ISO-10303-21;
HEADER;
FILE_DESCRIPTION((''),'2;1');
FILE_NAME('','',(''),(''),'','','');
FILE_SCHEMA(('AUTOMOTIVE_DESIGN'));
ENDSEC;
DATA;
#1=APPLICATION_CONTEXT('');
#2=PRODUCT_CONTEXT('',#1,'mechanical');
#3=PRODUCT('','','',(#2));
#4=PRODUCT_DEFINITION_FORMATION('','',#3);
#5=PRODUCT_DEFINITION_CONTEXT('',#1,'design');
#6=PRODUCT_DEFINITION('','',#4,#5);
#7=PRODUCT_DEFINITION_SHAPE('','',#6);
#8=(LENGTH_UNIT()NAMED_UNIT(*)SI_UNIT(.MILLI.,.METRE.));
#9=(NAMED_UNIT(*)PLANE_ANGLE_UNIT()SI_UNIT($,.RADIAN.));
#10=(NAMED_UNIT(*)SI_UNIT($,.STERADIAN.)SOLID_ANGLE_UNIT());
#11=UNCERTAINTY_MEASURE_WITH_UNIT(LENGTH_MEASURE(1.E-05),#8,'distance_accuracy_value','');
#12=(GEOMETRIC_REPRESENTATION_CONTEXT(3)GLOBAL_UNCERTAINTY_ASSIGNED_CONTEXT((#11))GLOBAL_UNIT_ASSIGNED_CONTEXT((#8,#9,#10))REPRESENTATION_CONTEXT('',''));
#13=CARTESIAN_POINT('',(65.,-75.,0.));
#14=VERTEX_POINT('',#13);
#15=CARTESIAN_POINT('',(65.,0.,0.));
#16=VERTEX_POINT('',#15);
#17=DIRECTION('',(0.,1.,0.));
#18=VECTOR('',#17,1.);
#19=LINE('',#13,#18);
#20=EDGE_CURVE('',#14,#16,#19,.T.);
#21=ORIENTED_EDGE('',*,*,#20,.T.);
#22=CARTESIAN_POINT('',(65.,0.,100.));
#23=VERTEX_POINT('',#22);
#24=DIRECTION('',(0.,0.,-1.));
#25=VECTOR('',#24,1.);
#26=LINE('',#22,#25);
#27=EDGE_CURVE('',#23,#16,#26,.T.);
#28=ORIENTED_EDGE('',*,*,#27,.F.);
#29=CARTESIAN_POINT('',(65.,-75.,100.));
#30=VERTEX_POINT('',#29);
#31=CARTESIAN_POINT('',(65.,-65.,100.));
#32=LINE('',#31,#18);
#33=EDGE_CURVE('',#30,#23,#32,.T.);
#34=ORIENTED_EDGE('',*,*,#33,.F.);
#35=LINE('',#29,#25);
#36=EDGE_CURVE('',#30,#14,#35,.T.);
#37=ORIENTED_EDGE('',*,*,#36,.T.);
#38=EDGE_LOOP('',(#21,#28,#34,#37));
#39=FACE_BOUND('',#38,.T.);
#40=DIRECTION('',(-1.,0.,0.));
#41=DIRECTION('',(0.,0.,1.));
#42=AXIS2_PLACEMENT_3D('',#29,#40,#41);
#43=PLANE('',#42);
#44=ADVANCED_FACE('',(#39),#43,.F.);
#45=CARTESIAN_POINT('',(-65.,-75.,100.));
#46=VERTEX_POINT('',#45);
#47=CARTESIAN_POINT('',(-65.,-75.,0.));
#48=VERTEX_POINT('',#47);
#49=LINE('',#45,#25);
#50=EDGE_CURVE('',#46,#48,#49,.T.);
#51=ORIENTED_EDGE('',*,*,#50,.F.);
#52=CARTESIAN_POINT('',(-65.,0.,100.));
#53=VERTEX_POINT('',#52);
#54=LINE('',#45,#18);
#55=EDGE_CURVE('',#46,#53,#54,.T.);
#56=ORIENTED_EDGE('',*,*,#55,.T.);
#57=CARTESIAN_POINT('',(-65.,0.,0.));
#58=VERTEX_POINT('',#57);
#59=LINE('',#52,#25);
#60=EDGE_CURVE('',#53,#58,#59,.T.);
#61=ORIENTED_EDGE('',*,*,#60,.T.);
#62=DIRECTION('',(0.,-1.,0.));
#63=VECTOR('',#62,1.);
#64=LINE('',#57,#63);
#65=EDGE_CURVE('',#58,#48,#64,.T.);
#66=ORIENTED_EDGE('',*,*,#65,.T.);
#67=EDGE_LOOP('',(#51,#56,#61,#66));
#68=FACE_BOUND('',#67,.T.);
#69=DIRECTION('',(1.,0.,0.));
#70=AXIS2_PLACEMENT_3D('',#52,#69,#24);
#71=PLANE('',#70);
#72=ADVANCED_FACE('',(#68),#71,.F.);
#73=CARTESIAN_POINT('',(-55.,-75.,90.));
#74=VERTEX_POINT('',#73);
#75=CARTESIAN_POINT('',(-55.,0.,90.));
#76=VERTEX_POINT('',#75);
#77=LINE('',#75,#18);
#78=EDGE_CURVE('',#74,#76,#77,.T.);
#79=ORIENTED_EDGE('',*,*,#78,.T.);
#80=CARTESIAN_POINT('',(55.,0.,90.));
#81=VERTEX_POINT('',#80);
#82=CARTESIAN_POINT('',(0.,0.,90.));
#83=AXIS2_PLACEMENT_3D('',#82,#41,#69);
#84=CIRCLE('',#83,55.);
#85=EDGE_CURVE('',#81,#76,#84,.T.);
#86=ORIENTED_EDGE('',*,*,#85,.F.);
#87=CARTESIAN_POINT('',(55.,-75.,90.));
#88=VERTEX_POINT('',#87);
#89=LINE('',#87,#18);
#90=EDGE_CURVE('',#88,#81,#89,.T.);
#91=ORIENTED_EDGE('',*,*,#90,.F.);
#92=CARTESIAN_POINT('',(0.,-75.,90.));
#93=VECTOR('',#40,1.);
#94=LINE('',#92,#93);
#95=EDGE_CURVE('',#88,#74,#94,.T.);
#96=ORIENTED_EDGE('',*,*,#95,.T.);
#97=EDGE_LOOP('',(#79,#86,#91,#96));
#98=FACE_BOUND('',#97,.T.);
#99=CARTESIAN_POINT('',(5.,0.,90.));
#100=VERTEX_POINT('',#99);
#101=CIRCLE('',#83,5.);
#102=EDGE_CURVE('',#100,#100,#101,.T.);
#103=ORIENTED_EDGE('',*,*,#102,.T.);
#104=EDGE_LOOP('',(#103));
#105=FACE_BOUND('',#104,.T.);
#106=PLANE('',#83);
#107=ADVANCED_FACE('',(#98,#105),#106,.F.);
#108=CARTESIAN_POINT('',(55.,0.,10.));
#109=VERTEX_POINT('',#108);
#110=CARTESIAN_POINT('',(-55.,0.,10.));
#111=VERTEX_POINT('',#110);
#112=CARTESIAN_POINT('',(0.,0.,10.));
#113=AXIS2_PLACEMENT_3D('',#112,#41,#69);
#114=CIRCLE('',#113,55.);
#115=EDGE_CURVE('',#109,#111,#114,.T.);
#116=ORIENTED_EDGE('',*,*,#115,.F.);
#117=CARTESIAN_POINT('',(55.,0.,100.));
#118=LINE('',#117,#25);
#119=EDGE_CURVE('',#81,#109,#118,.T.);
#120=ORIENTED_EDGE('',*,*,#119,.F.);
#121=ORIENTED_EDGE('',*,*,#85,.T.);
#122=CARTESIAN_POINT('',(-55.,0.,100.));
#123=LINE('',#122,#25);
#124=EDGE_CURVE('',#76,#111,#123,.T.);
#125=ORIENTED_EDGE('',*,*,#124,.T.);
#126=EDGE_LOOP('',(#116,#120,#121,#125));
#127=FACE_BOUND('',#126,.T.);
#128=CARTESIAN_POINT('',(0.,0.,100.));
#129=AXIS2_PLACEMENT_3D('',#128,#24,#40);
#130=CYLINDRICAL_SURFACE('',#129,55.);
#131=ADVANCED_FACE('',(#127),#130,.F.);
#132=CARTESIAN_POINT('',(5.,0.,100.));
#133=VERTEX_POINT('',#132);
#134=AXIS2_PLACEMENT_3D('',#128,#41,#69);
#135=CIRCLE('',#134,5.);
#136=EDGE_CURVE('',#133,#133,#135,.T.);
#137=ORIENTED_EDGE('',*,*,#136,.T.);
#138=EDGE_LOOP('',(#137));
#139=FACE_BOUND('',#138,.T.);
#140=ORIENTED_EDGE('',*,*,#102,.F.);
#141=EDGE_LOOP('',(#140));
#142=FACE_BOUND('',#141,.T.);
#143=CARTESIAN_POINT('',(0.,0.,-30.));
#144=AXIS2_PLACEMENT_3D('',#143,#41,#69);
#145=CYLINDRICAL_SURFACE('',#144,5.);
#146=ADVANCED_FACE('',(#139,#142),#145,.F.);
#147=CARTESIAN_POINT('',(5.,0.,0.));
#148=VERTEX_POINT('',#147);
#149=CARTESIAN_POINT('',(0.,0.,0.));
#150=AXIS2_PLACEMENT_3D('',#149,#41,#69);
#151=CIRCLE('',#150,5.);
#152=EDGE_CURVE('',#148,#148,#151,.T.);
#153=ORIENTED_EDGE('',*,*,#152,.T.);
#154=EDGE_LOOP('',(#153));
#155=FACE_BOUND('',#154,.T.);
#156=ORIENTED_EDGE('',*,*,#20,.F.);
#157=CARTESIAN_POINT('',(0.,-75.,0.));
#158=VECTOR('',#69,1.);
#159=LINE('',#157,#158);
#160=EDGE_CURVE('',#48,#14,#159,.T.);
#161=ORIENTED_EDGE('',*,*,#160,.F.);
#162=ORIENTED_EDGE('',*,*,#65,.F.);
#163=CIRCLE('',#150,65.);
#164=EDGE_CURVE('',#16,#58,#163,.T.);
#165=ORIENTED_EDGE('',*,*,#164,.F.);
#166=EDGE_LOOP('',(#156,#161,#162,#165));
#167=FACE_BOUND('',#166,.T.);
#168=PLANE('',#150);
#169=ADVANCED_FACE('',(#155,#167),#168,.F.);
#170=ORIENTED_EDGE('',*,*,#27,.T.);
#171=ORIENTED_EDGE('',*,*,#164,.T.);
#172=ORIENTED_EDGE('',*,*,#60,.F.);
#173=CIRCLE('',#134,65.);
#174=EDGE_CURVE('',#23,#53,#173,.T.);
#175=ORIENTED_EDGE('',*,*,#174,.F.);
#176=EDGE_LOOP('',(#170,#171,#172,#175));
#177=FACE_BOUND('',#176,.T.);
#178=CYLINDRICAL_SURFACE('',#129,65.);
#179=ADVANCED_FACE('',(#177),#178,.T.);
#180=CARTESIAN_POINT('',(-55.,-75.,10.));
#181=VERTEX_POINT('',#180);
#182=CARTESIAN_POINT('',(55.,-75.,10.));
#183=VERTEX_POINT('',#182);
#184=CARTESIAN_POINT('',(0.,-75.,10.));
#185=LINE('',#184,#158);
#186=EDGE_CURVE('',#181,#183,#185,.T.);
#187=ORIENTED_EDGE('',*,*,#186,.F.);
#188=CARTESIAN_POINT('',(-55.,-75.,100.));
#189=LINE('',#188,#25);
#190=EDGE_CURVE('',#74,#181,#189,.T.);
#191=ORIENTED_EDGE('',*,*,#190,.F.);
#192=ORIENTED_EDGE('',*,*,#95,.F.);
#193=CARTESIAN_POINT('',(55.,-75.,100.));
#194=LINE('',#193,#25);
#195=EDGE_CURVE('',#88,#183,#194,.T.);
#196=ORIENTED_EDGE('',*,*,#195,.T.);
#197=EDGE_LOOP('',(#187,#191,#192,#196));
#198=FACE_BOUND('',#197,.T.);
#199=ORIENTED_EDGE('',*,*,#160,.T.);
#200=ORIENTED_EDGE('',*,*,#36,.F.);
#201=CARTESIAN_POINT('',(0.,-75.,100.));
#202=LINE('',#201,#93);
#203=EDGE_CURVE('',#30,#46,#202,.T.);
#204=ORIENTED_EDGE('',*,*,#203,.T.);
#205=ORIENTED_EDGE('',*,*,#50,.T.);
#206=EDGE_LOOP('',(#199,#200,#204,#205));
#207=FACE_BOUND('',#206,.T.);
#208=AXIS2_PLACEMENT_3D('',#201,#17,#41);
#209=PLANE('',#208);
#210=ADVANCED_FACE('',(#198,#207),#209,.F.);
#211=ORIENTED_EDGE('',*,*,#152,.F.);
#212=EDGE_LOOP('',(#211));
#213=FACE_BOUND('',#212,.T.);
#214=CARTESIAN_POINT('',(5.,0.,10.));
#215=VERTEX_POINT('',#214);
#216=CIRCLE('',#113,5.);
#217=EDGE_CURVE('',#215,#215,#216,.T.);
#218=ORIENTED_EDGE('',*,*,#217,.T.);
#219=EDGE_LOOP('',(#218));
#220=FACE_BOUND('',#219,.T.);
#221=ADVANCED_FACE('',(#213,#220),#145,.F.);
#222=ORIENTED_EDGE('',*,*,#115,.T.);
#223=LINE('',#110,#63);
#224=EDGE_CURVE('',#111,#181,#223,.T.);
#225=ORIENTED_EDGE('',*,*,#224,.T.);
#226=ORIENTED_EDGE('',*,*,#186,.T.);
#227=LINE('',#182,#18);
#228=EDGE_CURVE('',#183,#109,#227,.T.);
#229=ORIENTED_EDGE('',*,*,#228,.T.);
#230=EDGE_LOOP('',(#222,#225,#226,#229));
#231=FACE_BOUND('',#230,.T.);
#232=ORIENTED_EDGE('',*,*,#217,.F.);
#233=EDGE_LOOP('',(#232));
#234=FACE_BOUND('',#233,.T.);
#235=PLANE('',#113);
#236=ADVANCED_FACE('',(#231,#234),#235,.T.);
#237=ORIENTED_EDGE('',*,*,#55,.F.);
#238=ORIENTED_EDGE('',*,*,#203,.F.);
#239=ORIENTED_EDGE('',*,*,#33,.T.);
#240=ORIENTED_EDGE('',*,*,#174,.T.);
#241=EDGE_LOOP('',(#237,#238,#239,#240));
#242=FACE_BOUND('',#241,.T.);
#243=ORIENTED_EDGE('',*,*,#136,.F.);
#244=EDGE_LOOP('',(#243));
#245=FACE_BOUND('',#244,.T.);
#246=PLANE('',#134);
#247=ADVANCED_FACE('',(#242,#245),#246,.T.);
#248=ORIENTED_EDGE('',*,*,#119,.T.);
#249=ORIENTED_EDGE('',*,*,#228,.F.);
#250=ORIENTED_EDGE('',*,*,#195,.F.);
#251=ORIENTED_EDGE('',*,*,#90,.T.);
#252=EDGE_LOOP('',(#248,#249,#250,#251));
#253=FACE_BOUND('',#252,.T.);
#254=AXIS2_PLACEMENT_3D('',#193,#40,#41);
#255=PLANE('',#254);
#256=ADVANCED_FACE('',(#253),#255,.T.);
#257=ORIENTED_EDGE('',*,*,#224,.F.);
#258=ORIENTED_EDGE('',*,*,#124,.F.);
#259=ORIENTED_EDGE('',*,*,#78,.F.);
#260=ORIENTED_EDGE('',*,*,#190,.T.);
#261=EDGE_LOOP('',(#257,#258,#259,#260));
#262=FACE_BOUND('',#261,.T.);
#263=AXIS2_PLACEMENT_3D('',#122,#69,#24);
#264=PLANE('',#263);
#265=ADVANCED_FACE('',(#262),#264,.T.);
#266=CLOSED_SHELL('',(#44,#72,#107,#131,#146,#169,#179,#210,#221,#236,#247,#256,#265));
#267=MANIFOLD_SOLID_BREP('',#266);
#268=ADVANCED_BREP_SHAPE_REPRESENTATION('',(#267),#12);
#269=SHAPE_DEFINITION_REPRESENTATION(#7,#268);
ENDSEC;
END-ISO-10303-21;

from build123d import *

# Parameters (mm, degrees)
SALIENTE_EXTRUIR1_DEPTH = 100
VACIADO1_T              = -10
CROQUIS4_R              = 5
CORTAR_EXTRUIR1_DEPTH   = 130


with BuildPart() as part:
    # Croquis1 → Saliente-Extruir1 (new body)
    with BuildSketch(Plane.XY):
        with BuildLine():
            Line((-65, 0), (-65, -65))
            Line((-65, -65), (-65, -75))
            Line((-65, -75), (0, -75))
            Line((0, -75), (65, -75))
            Line((65, -75), (65, -65))
            Line((65, -65), (65, 0))
            ThreePointArc((65, 0), (0, 65), (-65, 0))
        make_face()
    extrude(amount=SALIENTE_EXTRUIR1_DEPTH)

    # Vaciado1
    vaciado1_openings = [part.faces().sort_by_distance(p)[0] for p in [
        (0, -75, 50),
    ]]
    offset(amount=VACIADO1_T, openings=vaciado1_openings, kind=Kind.INTERSECTION)

    # Croquis4 → Cortar-Extruir1 (cut)
    with BuildSketch(Plane.XY.offset(100)):
        Circle(CROQUIS4_R)
    extrude(amount=-CORTAR_EXTRUIR1_DEPTH, mode=Mode.SUBTRACT)


solid = part.part
